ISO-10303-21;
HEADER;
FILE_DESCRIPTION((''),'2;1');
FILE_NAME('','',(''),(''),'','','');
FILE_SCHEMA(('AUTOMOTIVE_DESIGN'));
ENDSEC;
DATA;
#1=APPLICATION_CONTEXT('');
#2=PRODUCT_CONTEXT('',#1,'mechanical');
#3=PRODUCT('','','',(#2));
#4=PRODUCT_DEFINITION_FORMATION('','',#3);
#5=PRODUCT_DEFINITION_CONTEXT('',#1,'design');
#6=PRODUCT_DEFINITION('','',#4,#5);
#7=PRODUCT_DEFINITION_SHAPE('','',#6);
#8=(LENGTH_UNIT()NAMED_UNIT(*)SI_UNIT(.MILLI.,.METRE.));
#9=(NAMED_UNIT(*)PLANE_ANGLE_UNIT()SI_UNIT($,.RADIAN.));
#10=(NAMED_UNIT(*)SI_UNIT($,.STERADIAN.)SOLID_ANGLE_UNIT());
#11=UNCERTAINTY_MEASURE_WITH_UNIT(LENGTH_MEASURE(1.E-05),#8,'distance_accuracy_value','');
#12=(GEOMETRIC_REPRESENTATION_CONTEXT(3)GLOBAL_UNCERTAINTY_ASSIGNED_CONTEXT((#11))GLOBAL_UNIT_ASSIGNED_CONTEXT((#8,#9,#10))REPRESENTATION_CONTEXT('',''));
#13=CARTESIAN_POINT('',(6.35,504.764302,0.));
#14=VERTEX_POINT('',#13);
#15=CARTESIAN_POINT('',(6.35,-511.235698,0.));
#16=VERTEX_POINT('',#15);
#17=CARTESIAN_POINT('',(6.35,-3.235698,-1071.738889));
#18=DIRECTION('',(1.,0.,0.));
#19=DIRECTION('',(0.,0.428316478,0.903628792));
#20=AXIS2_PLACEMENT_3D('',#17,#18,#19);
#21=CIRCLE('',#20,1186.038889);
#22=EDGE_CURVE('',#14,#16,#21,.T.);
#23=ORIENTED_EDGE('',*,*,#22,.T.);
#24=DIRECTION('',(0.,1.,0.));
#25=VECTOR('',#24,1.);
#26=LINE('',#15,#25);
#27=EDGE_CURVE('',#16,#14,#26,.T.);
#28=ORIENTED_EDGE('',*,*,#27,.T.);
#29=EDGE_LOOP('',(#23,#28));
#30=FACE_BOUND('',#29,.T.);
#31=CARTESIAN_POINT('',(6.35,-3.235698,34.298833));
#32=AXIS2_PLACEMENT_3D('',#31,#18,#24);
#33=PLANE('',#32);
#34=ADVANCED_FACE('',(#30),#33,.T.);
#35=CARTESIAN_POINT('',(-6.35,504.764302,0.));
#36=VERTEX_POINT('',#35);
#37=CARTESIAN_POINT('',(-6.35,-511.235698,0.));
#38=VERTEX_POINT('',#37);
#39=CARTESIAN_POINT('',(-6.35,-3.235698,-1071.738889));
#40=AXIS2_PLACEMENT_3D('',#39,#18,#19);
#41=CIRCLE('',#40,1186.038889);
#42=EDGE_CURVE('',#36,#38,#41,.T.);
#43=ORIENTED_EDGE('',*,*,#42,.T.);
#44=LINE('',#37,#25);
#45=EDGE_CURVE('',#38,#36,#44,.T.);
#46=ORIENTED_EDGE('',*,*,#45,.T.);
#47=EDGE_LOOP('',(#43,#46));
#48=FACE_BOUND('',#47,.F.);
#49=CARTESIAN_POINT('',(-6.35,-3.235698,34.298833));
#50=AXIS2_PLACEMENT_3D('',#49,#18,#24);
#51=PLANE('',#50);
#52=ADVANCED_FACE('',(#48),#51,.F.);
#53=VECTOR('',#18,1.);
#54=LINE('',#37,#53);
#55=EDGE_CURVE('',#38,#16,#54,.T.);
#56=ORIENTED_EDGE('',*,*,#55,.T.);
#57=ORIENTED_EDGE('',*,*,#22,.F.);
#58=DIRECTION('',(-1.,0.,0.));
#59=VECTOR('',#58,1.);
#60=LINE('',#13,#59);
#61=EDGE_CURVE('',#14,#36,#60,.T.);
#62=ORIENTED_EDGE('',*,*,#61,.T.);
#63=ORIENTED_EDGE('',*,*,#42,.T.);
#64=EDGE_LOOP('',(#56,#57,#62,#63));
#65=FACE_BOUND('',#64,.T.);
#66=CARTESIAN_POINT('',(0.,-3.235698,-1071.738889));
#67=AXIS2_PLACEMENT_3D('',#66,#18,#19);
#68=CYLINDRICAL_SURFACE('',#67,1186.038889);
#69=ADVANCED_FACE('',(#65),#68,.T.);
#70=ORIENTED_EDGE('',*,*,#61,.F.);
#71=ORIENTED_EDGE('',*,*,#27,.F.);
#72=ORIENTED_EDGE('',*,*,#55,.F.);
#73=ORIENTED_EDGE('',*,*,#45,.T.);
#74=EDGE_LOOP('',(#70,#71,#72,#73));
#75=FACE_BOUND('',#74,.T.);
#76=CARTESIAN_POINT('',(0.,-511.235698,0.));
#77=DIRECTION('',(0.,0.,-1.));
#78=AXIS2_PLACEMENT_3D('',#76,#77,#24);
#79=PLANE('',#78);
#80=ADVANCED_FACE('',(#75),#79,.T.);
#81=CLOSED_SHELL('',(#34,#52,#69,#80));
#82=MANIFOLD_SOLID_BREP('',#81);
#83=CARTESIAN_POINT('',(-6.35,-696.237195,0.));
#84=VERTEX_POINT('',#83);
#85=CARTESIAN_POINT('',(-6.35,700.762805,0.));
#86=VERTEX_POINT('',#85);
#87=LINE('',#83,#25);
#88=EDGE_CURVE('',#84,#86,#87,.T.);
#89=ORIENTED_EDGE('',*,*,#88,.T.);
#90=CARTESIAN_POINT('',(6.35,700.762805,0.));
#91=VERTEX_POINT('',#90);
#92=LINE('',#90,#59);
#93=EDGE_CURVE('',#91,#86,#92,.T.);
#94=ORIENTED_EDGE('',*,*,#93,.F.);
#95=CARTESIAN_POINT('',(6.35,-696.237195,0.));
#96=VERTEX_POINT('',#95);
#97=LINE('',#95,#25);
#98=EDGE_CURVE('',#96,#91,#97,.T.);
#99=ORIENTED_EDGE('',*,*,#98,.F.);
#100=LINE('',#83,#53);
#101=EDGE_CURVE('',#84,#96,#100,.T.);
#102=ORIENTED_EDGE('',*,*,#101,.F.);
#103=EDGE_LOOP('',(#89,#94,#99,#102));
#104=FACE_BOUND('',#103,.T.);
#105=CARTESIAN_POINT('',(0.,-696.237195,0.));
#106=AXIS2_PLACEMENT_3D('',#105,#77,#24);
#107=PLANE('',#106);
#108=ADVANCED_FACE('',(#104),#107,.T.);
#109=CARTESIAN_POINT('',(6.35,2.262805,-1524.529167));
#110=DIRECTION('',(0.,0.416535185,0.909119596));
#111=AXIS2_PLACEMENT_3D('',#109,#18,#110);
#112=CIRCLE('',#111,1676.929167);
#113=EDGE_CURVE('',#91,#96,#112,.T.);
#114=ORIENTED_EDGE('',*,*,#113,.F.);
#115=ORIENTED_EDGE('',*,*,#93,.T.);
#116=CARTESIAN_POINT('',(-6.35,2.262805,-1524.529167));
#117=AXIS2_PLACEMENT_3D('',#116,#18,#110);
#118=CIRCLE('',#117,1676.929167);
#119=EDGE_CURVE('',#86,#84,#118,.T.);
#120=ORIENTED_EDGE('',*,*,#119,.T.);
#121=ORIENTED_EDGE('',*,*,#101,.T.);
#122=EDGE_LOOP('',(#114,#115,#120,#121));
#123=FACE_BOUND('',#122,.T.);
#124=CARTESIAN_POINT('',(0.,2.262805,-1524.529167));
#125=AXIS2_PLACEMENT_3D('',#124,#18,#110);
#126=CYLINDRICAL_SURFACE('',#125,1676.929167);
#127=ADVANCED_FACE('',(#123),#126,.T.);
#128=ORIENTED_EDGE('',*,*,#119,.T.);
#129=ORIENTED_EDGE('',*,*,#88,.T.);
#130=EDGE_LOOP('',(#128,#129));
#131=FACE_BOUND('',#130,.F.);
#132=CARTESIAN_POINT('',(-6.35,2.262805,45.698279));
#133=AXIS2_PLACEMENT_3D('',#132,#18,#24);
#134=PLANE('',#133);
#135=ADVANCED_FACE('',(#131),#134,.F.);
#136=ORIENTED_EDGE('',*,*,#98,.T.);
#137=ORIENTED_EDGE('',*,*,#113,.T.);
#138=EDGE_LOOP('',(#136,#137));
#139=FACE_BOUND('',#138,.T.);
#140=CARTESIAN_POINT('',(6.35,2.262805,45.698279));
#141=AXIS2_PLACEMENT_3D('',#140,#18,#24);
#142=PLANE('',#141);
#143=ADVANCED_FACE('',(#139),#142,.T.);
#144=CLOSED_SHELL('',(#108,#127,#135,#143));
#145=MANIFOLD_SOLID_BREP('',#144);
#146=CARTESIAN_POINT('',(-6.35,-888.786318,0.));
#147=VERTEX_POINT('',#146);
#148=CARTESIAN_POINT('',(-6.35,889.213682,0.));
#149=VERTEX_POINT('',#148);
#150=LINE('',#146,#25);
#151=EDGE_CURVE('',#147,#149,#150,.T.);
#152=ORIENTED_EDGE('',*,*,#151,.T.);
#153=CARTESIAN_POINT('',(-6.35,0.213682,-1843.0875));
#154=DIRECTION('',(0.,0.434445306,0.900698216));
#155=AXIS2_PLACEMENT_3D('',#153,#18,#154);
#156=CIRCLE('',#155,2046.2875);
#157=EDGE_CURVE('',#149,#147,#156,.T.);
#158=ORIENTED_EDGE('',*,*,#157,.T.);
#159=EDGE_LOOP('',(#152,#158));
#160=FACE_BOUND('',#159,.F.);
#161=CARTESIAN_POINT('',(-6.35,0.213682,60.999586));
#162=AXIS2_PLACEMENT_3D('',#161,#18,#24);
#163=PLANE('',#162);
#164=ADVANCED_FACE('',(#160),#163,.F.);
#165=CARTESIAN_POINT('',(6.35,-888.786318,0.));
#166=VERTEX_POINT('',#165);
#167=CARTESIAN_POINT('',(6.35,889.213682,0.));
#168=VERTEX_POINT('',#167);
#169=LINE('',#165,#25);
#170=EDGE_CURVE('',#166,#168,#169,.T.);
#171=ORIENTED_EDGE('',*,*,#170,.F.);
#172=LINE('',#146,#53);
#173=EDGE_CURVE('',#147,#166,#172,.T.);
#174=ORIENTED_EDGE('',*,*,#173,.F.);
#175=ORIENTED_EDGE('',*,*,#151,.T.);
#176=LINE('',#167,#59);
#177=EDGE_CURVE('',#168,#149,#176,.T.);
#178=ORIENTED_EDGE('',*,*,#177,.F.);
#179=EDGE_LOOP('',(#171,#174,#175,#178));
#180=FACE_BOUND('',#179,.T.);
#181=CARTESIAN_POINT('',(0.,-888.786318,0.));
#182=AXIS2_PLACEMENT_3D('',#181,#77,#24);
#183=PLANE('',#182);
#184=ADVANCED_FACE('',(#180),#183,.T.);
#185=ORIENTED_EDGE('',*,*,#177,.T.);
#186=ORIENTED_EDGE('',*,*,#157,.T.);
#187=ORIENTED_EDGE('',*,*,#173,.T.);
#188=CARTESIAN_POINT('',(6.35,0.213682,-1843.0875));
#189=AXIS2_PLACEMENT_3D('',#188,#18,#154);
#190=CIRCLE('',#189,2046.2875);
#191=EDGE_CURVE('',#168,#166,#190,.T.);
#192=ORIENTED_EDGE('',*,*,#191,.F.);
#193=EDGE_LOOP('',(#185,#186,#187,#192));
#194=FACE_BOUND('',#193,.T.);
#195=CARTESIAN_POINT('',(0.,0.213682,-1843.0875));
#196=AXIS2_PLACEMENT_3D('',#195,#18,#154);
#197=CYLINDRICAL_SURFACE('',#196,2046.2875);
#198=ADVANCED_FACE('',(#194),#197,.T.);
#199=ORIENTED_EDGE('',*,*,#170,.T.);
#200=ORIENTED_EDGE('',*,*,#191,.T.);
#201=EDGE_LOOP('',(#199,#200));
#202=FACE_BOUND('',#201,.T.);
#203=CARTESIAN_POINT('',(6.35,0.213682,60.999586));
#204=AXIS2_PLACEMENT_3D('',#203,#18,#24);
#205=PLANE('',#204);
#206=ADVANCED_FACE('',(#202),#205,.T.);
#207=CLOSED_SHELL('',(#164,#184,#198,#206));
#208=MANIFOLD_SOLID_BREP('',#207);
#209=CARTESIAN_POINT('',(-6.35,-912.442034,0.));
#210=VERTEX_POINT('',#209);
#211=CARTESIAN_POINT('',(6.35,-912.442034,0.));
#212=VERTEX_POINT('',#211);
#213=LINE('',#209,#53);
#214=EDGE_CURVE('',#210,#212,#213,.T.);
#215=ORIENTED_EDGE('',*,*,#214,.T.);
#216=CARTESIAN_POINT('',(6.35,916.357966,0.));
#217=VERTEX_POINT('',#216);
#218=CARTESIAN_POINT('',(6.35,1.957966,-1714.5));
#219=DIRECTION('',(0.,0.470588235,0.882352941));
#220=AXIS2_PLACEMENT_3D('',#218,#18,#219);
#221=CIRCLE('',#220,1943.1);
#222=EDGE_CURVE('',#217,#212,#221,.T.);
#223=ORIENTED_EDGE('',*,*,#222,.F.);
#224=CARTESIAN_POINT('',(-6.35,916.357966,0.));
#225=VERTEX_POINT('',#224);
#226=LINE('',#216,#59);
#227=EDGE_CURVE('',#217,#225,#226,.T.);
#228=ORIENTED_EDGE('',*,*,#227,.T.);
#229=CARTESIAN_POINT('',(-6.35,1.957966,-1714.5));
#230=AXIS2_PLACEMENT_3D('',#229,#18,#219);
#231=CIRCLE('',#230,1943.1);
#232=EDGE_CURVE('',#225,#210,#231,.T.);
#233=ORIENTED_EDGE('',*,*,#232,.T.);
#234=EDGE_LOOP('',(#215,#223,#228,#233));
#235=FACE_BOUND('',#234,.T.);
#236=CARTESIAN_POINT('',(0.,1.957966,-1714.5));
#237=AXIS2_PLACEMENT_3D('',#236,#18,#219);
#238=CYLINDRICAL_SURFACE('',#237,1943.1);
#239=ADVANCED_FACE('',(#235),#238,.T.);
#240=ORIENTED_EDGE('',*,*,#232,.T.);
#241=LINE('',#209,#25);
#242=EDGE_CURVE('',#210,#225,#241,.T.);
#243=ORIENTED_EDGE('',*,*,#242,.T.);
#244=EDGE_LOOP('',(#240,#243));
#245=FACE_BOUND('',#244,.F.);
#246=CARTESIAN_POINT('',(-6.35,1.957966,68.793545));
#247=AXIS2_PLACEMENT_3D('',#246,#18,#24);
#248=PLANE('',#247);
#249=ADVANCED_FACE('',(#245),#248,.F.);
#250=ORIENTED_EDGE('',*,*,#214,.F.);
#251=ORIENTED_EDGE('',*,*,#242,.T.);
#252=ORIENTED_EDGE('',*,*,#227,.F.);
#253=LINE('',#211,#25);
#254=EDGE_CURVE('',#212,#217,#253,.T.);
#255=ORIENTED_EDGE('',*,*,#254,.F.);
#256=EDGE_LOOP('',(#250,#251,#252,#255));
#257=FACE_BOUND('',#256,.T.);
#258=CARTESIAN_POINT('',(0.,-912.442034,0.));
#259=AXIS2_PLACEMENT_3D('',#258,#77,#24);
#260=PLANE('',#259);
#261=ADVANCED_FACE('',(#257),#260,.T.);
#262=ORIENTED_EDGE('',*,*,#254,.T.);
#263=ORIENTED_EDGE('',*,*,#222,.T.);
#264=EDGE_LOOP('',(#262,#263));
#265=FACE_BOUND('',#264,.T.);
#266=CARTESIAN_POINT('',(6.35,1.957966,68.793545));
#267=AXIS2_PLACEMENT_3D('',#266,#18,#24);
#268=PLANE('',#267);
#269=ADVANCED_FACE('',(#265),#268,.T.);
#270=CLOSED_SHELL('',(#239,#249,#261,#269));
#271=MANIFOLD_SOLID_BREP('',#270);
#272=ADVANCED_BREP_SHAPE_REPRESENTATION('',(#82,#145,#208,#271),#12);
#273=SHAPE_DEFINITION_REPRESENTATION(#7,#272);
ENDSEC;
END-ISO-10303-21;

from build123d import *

# Parameters (mm, degrees)
F1_DEPTH = 6.35
F3_DEPTH = 6.35
F5_DEPTH = 6.35
F7_DEPTH = 6.35


with BuildPart() as f1:
    # F0 (on Right) → F1 (new body, symmetric)
    with BuildSketch(Plane.YZ):
        with BuildLine():
            ThreePointArc((916.3579663121, 0), (1.9579663121, 228.6), (-912.4420336879, 0))
            Line((-912.4420336879, 0), (916.3579663121, 0))
        make_face()
    extrude(amount=F1_DEPTH, both=True)


with BuildPart() as f3:
    # F2 (on Right) → F3 (new body, symmetric)
    with BuildSketch(Plane.YZ):
        with BuildLine():
            ThreePointArc((889.2136817136, 0), (0.2136817136, 203.2), (-888.7863182864, 0))
            Line((-888.7863182864, 0), (889.2136817136, 0))
        make_face()
    extrude(amount=F3_DEPTH, both=True)


with BuildPart() as f5:
    # F4 (on Right) → F5 (new body, symmetric)
    with BuildSketch(Plane.YZ):
        with BuildLine():
            ThreePointArc((700.7628045471, 0), (2.2628045471, 152.4), (-696.2371954529, 0))
            Line((-696.2371954529, 0), (700.7628045471, 0))
        make_face()
    extrude(amount=F5_DEPTH, both=True)


with BuildPart() as f7:
    # F6 (on Right) → F7 (new body, symmetric)
    with BuildSketch(Plane.YZ):
        with BuildLine():
            ThreePointArc((504.7643018254, 0), (-3.2356981746, 114.3), (-511.2356981746, 0))
            Line((-511.2356981746, 0), (504.7643018254, 0))
        make_face()
    extrude(amount=F7_DEPTH, both=True)


solid = Compound([f1.part, f3.part, f5.part, f7.part])
